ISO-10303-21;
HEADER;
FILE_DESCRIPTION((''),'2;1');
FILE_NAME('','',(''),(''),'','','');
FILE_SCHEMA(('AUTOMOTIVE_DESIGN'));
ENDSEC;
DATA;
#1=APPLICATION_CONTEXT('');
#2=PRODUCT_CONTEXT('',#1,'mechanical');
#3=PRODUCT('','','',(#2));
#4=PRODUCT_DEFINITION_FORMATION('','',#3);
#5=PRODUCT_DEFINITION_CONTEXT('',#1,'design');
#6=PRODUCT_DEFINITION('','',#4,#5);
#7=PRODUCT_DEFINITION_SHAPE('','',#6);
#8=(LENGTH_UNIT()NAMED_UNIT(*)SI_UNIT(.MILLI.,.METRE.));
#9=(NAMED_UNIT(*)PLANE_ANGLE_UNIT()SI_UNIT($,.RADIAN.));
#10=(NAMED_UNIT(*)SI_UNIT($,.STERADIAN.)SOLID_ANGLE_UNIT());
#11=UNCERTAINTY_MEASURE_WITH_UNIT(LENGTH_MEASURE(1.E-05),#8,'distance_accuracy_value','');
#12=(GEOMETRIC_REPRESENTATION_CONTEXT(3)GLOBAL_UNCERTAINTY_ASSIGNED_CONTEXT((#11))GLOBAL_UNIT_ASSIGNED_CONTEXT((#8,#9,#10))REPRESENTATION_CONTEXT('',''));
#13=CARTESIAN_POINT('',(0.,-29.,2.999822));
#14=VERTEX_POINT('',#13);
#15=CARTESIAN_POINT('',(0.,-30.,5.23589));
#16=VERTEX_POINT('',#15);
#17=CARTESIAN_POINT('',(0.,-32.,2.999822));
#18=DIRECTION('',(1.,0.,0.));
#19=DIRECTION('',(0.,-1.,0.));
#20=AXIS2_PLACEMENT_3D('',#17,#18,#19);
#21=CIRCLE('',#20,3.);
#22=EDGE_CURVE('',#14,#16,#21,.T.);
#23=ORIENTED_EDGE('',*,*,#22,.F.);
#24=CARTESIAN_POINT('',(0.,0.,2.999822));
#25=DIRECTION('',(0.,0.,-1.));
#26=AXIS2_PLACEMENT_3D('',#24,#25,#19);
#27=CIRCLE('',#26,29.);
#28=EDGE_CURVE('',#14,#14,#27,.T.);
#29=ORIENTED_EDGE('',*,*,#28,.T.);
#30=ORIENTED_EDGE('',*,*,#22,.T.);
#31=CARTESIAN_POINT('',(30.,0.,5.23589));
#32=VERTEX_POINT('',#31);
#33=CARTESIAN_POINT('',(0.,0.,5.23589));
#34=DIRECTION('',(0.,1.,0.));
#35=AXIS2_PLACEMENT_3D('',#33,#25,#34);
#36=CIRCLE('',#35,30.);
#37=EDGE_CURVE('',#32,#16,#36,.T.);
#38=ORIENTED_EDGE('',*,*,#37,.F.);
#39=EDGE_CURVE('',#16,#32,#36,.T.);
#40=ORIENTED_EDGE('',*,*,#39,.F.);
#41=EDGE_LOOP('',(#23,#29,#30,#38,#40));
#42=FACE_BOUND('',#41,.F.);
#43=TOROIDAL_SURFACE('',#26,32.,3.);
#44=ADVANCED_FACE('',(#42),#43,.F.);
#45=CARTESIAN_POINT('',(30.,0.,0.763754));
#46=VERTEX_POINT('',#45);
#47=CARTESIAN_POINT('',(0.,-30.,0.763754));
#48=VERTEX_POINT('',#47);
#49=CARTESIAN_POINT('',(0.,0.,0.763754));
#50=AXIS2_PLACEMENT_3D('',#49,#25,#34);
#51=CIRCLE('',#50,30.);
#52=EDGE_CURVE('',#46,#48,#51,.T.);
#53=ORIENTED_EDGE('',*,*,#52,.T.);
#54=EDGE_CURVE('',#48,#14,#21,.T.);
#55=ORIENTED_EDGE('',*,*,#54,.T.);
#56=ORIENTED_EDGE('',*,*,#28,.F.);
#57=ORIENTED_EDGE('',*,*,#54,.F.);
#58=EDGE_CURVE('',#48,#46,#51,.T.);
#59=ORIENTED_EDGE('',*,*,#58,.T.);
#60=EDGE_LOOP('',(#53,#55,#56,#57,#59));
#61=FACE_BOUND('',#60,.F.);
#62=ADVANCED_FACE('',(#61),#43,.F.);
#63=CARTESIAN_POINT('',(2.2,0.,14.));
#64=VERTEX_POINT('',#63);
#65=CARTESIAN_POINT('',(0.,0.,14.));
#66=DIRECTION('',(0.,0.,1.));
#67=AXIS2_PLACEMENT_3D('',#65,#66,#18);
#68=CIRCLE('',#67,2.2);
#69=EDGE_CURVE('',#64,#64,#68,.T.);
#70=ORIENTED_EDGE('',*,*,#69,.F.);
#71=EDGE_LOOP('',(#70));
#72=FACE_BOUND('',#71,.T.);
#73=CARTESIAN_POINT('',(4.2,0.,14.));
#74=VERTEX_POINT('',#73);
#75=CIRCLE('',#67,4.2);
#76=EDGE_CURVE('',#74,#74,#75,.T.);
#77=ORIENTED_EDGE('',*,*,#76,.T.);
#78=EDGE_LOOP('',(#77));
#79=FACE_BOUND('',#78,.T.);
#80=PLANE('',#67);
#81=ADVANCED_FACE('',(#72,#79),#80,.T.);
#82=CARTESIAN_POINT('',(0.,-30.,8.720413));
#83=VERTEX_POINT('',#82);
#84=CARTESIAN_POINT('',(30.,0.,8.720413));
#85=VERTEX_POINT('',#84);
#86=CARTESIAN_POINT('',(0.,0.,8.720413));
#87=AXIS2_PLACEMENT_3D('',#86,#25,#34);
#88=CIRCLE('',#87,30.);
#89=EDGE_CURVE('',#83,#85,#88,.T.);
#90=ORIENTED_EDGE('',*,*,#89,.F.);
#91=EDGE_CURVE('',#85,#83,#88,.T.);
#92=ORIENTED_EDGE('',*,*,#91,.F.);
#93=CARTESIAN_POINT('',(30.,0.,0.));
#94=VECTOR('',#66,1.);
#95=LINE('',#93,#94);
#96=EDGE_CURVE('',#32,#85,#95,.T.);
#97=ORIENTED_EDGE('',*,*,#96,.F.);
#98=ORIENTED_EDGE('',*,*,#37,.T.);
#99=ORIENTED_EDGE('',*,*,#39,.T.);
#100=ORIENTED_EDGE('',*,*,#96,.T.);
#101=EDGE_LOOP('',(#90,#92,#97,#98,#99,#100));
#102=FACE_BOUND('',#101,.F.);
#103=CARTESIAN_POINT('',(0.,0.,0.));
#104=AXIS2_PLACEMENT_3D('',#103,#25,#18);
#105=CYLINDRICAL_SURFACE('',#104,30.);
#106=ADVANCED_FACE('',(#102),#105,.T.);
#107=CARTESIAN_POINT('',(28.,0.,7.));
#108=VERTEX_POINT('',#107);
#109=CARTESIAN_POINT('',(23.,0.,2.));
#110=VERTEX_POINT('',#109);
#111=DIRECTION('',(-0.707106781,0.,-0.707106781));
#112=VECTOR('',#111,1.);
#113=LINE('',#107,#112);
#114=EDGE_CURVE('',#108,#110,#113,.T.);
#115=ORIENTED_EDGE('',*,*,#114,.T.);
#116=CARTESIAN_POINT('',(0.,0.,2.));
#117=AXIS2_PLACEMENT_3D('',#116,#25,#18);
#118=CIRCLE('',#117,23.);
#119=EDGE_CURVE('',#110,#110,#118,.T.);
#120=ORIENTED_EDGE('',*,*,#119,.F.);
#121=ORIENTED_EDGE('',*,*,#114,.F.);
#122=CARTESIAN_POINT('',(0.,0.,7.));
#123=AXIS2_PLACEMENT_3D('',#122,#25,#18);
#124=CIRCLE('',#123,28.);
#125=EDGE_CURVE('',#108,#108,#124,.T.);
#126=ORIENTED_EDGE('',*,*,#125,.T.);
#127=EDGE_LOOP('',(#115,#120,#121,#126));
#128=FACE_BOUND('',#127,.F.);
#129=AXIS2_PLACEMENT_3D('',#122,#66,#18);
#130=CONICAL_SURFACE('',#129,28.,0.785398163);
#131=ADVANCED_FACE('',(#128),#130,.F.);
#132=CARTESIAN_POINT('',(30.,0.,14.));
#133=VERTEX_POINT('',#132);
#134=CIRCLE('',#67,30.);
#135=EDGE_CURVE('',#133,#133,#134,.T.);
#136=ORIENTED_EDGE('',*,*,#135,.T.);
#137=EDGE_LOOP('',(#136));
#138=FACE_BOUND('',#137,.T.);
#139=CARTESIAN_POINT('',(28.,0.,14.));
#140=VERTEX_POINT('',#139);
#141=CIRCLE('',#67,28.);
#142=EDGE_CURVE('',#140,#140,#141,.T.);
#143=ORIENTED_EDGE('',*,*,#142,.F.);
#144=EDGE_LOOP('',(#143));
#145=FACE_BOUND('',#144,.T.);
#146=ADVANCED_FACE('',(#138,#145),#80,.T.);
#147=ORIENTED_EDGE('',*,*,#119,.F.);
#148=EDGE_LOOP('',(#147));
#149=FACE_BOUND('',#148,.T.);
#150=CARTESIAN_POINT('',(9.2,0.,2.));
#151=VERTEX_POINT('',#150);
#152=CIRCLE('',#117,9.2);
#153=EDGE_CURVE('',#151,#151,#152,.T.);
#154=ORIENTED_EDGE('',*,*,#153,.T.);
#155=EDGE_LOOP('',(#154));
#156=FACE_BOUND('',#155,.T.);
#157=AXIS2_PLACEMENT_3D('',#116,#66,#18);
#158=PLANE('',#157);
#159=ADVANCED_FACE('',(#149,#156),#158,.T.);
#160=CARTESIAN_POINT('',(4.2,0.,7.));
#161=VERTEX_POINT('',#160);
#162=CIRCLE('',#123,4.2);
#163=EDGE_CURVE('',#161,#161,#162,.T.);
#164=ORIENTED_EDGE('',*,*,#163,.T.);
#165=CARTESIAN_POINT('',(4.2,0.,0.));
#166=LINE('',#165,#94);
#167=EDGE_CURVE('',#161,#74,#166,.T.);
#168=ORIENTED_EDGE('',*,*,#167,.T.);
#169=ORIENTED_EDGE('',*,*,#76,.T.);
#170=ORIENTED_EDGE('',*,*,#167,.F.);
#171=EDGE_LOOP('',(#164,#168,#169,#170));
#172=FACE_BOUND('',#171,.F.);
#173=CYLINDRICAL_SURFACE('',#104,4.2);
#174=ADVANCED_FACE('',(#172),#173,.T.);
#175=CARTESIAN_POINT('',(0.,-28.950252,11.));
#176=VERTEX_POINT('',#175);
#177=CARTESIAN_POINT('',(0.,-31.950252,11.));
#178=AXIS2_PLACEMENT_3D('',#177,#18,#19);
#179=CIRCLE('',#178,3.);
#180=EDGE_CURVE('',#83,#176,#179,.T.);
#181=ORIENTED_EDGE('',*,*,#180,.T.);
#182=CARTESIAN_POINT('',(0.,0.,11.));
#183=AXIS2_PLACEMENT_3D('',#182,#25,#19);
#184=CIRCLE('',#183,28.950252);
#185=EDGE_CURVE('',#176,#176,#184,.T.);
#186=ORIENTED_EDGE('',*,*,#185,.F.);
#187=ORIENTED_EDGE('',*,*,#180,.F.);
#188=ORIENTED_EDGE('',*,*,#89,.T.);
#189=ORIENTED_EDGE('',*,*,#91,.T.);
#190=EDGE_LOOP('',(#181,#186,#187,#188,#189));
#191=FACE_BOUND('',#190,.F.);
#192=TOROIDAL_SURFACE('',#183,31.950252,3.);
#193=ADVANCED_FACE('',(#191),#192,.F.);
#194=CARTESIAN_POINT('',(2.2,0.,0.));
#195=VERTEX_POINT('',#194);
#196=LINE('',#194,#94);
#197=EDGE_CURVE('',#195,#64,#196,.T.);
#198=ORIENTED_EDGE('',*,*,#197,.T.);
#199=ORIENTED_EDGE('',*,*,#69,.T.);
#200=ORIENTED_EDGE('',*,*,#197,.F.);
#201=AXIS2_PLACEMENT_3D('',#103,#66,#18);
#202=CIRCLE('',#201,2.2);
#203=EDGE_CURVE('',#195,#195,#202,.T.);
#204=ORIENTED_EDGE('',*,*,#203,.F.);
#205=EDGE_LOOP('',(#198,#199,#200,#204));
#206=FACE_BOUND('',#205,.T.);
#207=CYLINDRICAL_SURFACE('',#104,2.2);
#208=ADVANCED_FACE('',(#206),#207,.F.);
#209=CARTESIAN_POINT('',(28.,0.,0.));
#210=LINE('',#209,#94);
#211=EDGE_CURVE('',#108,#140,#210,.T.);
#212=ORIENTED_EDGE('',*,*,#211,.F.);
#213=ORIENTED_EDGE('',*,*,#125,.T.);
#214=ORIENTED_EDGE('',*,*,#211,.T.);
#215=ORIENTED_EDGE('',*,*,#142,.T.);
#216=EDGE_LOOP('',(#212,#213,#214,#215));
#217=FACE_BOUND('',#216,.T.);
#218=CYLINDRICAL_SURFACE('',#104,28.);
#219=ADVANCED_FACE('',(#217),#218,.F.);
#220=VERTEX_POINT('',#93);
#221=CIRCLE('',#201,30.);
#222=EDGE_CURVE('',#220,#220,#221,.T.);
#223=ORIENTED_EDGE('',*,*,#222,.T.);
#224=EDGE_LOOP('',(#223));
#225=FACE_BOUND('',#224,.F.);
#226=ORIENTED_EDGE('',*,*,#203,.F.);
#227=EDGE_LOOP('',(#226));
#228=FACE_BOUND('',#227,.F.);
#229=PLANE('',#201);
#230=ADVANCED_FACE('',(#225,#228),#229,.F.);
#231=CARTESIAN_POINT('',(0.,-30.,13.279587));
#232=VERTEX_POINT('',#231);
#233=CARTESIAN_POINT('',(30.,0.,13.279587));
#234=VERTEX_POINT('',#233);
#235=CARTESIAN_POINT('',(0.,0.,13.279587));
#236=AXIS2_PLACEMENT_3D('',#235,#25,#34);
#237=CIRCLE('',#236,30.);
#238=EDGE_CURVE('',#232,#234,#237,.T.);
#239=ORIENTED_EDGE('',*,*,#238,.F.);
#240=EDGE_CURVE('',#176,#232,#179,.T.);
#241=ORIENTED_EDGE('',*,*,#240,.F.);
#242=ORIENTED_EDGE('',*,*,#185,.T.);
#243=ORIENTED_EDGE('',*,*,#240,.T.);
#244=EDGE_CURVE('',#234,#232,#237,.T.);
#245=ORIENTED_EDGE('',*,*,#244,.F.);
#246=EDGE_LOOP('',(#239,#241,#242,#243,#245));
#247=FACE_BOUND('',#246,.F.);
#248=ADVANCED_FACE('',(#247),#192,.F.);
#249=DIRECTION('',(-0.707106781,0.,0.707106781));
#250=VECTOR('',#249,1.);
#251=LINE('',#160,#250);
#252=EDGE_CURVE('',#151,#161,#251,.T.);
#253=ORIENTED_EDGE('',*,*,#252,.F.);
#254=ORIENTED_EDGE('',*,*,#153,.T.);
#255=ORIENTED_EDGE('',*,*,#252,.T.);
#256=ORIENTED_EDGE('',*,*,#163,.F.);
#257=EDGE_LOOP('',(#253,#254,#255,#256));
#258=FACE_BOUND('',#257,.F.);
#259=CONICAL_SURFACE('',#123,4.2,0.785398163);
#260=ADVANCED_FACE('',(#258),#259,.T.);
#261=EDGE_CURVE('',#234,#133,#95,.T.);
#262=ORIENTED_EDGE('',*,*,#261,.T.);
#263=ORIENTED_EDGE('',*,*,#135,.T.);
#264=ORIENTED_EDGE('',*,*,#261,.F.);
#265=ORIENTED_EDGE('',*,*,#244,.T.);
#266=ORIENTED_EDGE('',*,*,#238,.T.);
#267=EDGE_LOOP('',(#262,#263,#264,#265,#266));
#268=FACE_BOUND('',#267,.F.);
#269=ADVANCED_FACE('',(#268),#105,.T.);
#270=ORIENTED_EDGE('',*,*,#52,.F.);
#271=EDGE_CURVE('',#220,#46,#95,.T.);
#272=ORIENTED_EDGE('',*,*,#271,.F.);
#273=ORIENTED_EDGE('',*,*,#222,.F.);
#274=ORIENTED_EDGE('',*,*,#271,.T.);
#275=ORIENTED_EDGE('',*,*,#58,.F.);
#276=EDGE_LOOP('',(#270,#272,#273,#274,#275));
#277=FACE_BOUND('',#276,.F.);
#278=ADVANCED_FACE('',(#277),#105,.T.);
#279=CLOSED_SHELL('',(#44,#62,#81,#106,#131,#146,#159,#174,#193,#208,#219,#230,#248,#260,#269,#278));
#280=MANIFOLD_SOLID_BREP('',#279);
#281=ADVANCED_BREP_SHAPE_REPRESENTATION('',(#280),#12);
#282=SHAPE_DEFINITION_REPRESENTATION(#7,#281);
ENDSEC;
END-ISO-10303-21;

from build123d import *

# Parameters (mm, degrees)
F0_R     = 30
F0_R_2   = 2.2
F1_DEPTH = 14
F2_T     = -2
F3_SIZE  = 5
F4_R     = 3


with BuildPart() as f1:
    # F0 (on Top) → F1 (new body)
    with BuildSketch(Plane.XY):
        Circle(F0_R)
        Circle(F0_R_2, mode=Mode.SUBTRACT)
    extrude(amount=F1_DEPTH)

    # F2
    f2_openings = [f1.faces().sort_by_distance(p)[0] for p in [
        (-29.151472, 0, 14),
    ]]
    offset(amount=F2_T, openings=f2_openings)

    # F3
    f3_edges = [f1.edges().sort_by_distance(p)[0] for p in [
        (-28, 0, 2),
        (-4.2, 0, 2),
    ]]
    chamfer(f3_edges, length=F3_SIZE)

    # F5: sweep along a path in F5_path
    with BuildLine(Plane(origin=(30, 0, 14), x_dir=(0, -1, 0), z_dir=(0, 0, -1))) as f5_path:
        CenterArc((0, 30), 30, 0, 360)
    # F4 (on Front) → F5 (sweep, cut)
    with BuildSketch(Plane.XZ):
        with Locations((-32, 2.9998219346)):
            Circle(F4_R)
        with Locations((-31.9502516922, 11)):
            Circle(F4_R)
    sweep(path=f5_path.line, mode=Mode.SUBTRACT)


solid = f1.part
